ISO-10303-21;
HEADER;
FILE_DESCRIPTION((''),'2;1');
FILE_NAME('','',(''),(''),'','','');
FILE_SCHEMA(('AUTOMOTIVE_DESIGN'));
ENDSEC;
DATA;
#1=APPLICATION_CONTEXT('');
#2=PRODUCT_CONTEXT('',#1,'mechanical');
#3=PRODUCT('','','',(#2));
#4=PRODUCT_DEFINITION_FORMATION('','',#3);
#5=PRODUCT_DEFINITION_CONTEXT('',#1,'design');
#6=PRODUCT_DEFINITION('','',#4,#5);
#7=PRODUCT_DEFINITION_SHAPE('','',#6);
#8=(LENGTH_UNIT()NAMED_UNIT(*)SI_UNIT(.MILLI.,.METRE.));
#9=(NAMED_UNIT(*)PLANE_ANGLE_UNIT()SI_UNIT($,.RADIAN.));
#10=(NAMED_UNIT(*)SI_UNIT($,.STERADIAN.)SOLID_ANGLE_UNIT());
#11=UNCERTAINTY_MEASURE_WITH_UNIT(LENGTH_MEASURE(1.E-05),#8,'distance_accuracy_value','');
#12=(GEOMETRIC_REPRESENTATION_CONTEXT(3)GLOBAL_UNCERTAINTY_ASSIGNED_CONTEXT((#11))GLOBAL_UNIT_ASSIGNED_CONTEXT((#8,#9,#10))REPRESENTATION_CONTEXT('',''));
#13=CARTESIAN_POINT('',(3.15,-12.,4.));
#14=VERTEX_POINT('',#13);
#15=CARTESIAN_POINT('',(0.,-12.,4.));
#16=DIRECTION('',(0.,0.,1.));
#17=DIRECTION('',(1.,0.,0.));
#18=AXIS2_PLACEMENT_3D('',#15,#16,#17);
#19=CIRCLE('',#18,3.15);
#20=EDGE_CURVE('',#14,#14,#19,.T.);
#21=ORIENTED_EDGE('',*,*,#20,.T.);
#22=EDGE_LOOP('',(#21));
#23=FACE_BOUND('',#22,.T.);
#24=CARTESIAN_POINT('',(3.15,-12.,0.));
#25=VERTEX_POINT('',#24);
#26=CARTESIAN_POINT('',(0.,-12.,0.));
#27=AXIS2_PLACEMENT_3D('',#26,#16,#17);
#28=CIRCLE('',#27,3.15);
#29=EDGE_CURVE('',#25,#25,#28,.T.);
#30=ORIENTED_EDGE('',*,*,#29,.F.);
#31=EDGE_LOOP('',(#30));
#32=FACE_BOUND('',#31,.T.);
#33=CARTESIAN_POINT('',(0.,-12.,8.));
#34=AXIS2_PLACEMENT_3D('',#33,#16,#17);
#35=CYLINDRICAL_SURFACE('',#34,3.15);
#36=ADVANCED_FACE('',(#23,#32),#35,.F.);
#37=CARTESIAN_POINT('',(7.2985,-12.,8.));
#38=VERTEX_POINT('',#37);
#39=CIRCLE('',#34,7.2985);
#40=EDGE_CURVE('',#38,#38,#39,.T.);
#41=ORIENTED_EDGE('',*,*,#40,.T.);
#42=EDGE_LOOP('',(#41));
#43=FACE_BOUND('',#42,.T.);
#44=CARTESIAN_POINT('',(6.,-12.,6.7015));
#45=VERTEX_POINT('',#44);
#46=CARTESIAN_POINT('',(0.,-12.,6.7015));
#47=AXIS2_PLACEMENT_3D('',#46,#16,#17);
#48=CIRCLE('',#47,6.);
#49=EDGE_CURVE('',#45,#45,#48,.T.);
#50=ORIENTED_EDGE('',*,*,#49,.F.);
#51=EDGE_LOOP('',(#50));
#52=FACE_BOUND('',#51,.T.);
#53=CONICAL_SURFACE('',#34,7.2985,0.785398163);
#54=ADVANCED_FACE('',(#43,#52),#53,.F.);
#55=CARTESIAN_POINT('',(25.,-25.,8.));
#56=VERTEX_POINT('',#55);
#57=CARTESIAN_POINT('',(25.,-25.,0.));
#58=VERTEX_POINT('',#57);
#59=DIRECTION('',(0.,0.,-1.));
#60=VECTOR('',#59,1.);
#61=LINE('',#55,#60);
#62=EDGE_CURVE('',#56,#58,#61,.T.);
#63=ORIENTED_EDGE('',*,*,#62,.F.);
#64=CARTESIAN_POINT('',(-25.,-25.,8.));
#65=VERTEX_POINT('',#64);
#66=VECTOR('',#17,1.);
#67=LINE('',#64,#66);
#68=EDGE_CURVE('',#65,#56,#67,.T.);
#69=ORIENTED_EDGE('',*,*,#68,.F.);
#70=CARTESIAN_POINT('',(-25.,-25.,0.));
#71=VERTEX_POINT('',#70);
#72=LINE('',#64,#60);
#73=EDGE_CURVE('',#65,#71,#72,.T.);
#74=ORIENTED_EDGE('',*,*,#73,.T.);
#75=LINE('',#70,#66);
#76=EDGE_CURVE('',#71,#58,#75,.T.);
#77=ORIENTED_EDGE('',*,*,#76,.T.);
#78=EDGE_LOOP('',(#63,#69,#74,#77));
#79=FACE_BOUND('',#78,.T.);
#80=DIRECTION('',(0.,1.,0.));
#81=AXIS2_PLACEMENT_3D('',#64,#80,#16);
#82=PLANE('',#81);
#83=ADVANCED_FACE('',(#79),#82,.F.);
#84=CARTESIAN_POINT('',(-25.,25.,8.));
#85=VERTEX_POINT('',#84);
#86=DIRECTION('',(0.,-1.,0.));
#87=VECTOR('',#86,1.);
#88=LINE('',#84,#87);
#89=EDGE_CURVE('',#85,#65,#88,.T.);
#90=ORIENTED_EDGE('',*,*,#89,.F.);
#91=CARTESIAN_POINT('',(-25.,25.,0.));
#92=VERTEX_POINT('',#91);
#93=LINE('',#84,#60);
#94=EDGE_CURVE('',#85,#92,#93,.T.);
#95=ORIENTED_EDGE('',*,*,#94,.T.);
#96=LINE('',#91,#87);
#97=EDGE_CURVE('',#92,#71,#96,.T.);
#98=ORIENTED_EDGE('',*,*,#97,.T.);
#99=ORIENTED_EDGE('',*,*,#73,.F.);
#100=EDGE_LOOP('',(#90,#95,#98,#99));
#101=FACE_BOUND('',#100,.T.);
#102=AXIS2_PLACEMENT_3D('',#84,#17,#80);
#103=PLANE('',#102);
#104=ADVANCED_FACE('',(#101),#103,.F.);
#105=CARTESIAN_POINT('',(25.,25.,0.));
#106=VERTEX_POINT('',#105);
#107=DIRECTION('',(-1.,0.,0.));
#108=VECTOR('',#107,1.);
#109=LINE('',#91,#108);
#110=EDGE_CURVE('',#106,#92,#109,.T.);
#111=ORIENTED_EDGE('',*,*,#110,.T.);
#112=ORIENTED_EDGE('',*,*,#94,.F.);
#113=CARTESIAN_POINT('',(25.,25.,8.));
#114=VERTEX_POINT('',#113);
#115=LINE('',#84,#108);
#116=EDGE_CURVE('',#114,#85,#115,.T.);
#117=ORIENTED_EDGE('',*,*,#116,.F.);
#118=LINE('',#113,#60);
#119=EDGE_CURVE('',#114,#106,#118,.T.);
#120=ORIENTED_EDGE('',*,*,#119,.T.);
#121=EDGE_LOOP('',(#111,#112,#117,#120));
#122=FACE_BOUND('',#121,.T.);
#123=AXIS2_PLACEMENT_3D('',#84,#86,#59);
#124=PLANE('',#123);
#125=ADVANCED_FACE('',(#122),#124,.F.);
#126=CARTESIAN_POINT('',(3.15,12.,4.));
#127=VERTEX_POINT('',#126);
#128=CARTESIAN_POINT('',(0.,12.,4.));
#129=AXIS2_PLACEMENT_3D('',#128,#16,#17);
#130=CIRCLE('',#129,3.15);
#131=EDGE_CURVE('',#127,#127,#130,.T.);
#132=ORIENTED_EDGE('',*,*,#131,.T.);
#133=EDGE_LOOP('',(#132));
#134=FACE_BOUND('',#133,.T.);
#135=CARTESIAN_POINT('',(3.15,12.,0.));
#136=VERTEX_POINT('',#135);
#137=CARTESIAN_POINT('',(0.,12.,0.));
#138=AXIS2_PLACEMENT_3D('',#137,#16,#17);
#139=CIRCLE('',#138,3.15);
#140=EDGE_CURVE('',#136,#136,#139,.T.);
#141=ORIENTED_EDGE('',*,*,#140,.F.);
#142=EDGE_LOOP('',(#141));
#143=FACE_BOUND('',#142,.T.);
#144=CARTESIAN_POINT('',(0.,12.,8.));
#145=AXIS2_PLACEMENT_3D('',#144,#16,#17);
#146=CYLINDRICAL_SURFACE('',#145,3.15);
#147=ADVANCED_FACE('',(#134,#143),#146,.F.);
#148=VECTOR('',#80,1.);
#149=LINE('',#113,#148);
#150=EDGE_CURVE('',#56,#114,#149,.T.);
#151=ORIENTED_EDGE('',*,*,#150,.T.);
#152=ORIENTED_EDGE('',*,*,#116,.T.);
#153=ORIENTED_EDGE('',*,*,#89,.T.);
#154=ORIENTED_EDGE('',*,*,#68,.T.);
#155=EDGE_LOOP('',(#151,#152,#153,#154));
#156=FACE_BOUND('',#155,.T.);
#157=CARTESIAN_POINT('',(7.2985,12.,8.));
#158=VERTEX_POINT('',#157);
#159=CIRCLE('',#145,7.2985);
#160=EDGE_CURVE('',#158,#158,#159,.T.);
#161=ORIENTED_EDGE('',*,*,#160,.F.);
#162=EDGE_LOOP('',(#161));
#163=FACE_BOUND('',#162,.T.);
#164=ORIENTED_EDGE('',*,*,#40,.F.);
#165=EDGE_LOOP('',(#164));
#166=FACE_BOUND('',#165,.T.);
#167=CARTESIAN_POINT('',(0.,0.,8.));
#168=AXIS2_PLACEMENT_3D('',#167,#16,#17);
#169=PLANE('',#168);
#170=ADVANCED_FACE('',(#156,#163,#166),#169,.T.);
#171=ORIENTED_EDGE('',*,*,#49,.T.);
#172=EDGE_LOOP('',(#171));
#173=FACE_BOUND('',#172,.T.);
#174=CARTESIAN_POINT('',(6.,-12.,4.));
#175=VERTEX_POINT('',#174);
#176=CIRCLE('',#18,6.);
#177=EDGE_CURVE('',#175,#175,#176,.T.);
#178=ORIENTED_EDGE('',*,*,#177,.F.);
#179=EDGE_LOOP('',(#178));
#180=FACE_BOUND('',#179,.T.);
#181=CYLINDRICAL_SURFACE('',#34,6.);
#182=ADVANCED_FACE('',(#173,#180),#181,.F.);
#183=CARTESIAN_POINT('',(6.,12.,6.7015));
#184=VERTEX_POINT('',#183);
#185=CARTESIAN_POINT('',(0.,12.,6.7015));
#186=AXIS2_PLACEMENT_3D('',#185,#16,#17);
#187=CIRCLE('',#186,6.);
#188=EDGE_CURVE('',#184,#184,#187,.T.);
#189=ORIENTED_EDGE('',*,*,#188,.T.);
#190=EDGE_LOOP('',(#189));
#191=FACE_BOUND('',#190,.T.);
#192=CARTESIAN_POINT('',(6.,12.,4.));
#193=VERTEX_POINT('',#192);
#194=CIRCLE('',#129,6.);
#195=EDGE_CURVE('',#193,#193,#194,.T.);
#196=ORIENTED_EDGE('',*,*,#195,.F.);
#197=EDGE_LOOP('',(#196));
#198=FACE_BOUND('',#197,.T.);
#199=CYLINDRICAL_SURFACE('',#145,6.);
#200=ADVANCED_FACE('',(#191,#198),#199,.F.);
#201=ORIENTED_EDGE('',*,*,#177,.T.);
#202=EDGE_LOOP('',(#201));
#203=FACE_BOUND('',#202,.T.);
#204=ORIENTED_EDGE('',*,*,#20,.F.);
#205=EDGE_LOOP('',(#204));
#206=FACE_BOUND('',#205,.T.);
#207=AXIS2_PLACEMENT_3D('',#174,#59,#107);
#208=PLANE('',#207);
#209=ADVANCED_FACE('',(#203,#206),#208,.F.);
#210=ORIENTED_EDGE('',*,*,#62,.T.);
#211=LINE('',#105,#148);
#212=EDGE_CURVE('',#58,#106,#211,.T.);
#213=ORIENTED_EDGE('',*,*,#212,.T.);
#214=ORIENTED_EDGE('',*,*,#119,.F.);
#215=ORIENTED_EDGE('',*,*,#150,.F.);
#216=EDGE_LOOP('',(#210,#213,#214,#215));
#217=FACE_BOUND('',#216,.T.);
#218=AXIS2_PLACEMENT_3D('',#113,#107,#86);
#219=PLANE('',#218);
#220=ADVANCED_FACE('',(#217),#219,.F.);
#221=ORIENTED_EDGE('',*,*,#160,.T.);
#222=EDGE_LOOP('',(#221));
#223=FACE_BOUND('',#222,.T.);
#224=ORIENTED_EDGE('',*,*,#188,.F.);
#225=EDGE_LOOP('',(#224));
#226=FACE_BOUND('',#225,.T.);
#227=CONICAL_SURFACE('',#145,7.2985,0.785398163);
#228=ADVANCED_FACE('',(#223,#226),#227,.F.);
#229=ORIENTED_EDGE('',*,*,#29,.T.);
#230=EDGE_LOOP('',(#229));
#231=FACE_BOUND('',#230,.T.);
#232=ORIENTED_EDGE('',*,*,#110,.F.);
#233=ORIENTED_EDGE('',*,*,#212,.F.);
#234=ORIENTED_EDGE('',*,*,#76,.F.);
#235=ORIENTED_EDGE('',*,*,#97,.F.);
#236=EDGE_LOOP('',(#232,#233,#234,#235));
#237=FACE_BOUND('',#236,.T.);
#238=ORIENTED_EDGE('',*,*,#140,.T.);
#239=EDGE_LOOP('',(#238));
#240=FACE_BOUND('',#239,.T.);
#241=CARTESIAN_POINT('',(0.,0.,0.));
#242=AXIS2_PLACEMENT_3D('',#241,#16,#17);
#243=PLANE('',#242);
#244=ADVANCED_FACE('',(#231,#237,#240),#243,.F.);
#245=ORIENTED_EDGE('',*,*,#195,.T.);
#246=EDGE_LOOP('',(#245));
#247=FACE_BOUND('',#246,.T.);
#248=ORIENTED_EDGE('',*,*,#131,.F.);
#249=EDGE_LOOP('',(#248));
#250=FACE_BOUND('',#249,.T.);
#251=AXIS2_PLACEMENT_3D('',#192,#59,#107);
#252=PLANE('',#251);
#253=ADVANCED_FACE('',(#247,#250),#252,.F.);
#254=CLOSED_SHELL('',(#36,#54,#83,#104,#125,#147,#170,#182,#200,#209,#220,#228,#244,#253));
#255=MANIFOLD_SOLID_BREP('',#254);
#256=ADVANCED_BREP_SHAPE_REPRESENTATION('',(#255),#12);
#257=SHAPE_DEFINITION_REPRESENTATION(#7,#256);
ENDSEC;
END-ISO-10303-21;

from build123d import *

# Parameters (mm, degrees)
SKETCH1_W                              = 50
SKETCH1_H                              = 50
BOSS_EXTRUDE1_DEPTH                    = 8
CBORE_FOR_M6_HEX_HEAD_BOLT2_AT_2_COUNT = 2
CBORE_FOR_M6_HEX_HEAD_BOLT2_AT_2_PITCH = 24


with BuildPart() as part:
    # Sketch1 → Boss-Extrude1 (new body)
    with BuildSketch(Plane.XY):
        Rectangle(SKETCH1_W, SKETCH1_H)
    extrude(amount=BOSS_EXTRUDE1_DEPTH)

    # Sketch14 → CBORE for M6 Hex Head Bolt2 (revolve, cut)
    with BuildSketch(Plane(origin=(0, -12, 8), x_dir=(0, -1, 0), z_dir=(1, 0, 0))):
        Polygon((0, 0), (0, 8), (3.15, 8), (3.15, 4), (6, 4), (6, 1.2985), (7.2985, 0), align=None)
    cbore_for_m6_hex_head_bolt2 = revolve(axis=Axis((0, -12, 14.35), (0, 0, -1)), mode=Mode.SUBTRACT)

    # CBORE for M6 Hex Head Bolt2 at 2: CBORE for M6 Hex Head Bolt2 ×2
    with Locations(*[(0, i * CBORE_FOR_M6_HEX_HEAD_BOLT2_AT_2_PITCH, 0) for i in range(1, CBORE_FOR_M6_HEX_HEAD_BOLT2_AT_2_COUNT)]):
        add(cbore_for_m6_hex_head_bolt2, mode=Mode.SUBTRACT)


solid = part.part
